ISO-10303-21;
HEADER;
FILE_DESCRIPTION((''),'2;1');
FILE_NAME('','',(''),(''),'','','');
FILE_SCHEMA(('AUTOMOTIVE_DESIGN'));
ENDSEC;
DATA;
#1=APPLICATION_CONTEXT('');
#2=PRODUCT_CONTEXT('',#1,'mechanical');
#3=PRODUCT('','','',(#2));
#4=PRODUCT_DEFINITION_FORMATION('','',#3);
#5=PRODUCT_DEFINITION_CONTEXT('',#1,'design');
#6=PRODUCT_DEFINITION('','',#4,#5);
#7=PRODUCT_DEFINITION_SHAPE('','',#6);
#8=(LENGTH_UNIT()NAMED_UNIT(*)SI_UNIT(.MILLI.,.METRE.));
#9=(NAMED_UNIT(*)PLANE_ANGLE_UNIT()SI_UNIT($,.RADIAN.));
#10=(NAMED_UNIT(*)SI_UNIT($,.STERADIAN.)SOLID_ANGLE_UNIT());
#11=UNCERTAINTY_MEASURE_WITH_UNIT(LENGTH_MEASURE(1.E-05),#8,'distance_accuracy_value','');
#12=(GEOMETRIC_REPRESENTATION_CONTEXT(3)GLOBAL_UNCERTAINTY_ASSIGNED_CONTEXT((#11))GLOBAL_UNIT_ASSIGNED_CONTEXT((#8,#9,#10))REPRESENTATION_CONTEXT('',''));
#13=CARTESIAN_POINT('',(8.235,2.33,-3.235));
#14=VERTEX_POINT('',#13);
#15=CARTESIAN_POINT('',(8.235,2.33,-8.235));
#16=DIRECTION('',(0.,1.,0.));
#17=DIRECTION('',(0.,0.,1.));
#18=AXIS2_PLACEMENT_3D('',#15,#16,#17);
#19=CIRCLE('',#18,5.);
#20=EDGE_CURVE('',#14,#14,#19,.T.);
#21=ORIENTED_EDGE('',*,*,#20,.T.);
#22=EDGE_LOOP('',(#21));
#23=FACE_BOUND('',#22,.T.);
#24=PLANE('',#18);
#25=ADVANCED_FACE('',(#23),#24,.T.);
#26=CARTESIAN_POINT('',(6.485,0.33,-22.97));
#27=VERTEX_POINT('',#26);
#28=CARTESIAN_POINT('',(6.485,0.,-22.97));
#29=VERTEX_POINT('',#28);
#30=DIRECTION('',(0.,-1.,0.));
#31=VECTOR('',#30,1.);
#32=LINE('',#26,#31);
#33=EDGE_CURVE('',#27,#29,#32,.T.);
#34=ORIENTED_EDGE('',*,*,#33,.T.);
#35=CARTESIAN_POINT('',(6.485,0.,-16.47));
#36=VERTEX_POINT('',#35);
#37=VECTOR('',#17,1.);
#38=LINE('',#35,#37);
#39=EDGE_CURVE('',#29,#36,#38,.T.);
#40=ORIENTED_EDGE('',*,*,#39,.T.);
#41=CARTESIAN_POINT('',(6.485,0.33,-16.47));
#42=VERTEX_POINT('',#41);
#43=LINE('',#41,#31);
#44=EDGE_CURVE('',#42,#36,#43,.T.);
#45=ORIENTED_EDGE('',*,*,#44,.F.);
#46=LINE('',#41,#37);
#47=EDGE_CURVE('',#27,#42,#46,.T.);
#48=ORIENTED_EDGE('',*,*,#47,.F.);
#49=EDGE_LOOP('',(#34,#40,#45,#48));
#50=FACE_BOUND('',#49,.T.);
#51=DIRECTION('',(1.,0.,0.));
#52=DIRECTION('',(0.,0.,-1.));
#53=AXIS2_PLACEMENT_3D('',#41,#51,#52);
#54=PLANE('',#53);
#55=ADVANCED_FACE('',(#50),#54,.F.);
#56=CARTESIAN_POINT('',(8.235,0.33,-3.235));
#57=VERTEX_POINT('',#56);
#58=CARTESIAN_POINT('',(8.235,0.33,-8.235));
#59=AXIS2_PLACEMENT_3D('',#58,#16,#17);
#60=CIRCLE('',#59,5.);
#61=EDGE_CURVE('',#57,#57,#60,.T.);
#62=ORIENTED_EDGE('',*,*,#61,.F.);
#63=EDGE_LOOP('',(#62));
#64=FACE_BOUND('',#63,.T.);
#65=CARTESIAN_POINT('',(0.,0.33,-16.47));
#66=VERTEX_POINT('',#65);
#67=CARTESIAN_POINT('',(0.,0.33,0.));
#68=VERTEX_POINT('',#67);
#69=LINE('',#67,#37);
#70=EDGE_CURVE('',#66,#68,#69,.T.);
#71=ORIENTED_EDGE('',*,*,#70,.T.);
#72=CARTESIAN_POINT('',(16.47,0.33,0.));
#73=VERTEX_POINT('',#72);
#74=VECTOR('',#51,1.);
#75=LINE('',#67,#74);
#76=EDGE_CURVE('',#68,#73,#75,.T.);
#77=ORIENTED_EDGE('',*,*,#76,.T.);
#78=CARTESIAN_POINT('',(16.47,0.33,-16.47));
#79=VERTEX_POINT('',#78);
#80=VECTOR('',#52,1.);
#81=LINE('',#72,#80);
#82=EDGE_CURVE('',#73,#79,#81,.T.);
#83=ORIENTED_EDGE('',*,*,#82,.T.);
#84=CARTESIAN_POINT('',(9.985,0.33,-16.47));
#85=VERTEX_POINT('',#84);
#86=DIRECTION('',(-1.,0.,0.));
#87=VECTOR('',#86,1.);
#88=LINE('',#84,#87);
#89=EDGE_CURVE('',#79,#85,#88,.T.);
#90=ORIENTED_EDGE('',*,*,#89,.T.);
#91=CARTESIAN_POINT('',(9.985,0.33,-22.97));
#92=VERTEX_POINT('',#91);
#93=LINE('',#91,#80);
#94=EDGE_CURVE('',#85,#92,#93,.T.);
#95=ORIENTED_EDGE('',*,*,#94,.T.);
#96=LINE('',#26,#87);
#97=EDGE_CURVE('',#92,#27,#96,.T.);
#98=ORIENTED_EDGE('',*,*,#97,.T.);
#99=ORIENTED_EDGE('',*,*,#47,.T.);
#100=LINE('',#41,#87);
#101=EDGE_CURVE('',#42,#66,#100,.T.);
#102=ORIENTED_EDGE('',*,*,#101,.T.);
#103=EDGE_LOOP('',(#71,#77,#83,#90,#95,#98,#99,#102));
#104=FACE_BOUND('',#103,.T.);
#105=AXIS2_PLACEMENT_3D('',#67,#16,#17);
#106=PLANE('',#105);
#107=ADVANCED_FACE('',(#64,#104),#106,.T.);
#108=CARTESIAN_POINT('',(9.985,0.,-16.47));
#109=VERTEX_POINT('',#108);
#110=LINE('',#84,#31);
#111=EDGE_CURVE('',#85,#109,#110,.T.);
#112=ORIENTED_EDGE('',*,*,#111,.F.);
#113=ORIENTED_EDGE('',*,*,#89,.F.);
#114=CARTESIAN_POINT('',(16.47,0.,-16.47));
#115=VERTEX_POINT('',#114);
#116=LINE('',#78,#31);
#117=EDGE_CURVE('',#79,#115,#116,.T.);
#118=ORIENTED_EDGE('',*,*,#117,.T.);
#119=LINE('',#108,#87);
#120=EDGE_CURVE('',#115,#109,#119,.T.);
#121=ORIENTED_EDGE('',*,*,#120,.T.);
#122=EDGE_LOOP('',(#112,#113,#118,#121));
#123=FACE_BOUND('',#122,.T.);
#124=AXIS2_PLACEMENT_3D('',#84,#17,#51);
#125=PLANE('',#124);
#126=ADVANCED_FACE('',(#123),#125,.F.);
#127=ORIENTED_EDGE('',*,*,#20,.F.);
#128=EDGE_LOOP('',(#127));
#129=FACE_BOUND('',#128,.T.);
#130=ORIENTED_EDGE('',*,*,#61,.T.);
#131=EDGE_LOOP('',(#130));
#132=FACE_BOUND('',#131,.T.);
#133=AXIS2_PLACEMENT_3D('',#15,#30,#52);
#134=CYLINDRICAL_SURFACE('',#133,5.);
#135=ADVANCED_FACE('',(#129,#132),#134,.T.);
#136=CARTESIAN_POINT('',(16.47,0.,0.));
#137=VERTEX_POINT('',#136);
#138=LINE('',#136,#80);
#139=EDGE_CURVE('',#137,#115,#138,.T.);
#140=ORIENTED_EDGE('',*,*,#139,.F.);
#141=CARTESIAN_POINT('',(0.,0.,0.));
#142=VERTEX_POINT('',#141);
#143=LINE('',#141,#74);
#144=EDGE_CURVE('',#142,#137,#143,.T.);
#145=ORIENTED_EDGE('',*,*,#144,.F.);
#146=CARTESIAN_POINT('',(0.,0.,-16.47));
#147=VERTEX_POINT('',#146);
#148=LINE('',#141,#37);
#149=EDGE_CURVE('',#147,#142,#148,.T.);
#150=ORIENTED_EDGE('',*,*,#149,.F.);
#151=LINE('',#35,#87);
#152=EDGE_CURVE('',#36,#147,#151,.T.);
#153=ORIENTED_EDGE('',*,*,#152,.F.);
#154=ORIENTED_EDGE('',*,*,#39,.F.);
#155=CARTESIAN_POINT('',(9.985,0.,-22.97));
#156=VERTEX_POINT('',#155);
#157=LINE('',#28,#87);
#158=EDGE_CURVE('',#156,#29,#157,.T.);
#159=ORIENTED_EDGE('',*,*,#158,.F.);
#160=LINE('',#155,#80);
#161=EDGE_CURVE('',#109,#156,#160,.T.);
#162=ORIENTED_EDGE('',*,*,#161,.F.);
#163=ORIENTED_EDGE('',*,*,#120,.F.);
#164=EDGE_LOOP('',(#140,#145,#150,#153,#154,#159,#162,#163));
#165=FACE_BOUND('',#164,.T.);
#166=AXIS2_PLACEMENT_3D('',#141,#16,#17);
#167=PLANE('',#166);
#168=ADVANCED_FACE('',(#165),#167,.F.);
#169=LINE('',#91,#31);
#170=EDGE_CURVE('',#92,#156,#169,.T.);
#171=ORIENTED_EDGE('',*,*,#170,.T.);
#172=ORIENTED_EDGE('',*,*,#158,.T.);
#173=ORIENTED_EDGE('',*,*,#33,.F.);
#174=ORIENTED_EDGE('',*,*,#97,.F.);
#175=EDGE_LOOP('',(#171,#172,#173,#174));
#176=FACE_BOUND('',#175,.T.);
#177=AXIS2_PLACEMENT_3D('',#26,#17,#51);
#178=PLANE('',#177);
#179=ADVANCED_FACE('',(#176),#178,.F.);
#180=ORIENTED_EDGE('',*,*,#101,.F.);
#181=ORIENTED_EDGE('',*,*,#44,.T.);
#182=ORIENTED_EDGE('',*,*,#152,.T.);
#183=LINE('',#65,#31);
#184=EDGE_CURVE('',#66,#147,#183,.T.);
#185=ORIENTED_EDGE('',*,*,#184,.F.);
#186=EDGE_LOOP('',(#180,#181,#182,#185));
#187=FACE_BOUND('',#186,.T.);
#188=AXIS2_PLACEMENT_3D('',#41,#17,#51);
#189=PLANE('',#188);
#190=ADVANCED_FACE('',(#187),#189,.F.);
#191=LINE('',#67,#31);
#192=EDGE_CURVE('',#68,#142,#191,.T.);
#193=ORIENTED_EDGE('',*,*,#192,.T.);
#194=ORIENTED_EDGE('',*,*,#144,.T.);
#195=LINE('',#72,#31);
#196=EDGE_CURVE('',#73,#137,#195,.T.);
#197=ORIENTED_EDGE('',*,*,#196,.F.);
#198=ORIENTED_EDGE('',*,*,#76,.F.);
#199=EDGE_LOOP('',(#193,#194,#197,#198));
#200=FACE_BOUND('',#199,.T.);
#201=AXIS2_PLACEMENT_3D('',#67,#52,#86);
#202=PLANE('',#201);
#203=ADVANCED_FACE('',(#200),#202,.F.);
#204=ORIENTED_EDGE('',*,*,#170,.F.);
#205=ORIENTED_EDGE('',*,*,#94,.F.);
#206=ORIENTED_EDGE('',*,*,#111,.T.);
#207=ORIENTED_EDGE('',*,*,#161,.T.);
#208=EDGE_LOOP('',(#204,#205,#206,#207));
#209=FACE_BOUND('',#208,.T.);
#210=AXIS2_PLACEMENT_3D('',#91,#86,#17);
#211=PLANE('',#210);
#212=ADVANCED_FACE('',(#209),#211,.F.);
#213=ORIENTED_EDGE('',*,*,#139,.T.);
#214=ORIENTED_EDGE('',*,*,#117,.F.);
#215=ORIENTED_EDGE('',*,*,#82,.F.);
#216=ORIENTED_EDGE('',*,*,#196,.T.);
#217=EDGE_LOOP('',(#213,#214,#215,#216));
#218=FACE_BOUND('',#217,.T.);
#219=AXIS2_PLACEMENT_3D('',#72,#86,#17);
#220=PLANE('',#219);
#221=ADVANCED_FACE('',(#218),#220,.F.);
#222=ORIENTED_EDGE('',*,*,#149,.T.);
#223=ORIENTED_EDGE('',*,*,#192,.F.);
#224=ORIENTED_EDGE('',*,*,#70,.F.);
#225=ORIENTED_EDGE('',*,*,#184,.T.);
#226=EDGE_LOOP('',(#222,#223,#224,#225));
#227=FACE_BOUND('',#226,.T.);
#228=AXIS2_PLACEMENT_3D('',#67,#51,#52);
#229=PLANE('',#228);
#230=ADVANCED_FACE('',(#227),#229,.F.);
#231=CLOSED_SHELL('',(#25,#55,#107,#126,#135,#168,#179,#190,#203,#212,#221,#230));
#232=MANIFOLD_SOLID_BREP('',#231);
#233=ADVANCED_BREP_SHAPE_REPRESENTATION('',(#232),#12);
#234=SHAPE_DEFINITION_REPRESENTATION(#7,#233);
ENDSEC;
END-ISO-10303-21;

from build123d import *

# Parameters (mm, degrees)
BOSS_EXTRUDE1_DEPTH = 0.33
SKETCH2_R           = 5
BOSS_EXTRUDE3_DEPTH = 2


with BuildPart() as part:
    # Sketch1 → Boss-Extrude1 (new body)
    with BuildSketch(Plane(origin=(0, 0, 0), x_dir=(1, 0, 0), z_dir=(0, 1, 0))):
        Polygon((0, 0), (16.47, 0), (16.47, 16.47), (9.985, 16.47), (9.985, 22.97), (6.485, 22.97), (6.485, 16.47), (0, 16.47), align=None)
    extrude(amount=BOSS_EXTRUDE1_DEPTH)

    # Sketch2 → Boss-Extrude3 (add)
    with BuildSketch(Plane(origin=(0, 0.33, 0), x_dir=(1, 0, 0), z_dir=(0, 1, 0))):
        with Locations(Location((8.235, 8.235, 0), (0, 0, 270))):
            Circle(SKETCH2_R)
    extrude(amount=BOSS_EXTRUDE3_DEPTH)


solid = part.part
